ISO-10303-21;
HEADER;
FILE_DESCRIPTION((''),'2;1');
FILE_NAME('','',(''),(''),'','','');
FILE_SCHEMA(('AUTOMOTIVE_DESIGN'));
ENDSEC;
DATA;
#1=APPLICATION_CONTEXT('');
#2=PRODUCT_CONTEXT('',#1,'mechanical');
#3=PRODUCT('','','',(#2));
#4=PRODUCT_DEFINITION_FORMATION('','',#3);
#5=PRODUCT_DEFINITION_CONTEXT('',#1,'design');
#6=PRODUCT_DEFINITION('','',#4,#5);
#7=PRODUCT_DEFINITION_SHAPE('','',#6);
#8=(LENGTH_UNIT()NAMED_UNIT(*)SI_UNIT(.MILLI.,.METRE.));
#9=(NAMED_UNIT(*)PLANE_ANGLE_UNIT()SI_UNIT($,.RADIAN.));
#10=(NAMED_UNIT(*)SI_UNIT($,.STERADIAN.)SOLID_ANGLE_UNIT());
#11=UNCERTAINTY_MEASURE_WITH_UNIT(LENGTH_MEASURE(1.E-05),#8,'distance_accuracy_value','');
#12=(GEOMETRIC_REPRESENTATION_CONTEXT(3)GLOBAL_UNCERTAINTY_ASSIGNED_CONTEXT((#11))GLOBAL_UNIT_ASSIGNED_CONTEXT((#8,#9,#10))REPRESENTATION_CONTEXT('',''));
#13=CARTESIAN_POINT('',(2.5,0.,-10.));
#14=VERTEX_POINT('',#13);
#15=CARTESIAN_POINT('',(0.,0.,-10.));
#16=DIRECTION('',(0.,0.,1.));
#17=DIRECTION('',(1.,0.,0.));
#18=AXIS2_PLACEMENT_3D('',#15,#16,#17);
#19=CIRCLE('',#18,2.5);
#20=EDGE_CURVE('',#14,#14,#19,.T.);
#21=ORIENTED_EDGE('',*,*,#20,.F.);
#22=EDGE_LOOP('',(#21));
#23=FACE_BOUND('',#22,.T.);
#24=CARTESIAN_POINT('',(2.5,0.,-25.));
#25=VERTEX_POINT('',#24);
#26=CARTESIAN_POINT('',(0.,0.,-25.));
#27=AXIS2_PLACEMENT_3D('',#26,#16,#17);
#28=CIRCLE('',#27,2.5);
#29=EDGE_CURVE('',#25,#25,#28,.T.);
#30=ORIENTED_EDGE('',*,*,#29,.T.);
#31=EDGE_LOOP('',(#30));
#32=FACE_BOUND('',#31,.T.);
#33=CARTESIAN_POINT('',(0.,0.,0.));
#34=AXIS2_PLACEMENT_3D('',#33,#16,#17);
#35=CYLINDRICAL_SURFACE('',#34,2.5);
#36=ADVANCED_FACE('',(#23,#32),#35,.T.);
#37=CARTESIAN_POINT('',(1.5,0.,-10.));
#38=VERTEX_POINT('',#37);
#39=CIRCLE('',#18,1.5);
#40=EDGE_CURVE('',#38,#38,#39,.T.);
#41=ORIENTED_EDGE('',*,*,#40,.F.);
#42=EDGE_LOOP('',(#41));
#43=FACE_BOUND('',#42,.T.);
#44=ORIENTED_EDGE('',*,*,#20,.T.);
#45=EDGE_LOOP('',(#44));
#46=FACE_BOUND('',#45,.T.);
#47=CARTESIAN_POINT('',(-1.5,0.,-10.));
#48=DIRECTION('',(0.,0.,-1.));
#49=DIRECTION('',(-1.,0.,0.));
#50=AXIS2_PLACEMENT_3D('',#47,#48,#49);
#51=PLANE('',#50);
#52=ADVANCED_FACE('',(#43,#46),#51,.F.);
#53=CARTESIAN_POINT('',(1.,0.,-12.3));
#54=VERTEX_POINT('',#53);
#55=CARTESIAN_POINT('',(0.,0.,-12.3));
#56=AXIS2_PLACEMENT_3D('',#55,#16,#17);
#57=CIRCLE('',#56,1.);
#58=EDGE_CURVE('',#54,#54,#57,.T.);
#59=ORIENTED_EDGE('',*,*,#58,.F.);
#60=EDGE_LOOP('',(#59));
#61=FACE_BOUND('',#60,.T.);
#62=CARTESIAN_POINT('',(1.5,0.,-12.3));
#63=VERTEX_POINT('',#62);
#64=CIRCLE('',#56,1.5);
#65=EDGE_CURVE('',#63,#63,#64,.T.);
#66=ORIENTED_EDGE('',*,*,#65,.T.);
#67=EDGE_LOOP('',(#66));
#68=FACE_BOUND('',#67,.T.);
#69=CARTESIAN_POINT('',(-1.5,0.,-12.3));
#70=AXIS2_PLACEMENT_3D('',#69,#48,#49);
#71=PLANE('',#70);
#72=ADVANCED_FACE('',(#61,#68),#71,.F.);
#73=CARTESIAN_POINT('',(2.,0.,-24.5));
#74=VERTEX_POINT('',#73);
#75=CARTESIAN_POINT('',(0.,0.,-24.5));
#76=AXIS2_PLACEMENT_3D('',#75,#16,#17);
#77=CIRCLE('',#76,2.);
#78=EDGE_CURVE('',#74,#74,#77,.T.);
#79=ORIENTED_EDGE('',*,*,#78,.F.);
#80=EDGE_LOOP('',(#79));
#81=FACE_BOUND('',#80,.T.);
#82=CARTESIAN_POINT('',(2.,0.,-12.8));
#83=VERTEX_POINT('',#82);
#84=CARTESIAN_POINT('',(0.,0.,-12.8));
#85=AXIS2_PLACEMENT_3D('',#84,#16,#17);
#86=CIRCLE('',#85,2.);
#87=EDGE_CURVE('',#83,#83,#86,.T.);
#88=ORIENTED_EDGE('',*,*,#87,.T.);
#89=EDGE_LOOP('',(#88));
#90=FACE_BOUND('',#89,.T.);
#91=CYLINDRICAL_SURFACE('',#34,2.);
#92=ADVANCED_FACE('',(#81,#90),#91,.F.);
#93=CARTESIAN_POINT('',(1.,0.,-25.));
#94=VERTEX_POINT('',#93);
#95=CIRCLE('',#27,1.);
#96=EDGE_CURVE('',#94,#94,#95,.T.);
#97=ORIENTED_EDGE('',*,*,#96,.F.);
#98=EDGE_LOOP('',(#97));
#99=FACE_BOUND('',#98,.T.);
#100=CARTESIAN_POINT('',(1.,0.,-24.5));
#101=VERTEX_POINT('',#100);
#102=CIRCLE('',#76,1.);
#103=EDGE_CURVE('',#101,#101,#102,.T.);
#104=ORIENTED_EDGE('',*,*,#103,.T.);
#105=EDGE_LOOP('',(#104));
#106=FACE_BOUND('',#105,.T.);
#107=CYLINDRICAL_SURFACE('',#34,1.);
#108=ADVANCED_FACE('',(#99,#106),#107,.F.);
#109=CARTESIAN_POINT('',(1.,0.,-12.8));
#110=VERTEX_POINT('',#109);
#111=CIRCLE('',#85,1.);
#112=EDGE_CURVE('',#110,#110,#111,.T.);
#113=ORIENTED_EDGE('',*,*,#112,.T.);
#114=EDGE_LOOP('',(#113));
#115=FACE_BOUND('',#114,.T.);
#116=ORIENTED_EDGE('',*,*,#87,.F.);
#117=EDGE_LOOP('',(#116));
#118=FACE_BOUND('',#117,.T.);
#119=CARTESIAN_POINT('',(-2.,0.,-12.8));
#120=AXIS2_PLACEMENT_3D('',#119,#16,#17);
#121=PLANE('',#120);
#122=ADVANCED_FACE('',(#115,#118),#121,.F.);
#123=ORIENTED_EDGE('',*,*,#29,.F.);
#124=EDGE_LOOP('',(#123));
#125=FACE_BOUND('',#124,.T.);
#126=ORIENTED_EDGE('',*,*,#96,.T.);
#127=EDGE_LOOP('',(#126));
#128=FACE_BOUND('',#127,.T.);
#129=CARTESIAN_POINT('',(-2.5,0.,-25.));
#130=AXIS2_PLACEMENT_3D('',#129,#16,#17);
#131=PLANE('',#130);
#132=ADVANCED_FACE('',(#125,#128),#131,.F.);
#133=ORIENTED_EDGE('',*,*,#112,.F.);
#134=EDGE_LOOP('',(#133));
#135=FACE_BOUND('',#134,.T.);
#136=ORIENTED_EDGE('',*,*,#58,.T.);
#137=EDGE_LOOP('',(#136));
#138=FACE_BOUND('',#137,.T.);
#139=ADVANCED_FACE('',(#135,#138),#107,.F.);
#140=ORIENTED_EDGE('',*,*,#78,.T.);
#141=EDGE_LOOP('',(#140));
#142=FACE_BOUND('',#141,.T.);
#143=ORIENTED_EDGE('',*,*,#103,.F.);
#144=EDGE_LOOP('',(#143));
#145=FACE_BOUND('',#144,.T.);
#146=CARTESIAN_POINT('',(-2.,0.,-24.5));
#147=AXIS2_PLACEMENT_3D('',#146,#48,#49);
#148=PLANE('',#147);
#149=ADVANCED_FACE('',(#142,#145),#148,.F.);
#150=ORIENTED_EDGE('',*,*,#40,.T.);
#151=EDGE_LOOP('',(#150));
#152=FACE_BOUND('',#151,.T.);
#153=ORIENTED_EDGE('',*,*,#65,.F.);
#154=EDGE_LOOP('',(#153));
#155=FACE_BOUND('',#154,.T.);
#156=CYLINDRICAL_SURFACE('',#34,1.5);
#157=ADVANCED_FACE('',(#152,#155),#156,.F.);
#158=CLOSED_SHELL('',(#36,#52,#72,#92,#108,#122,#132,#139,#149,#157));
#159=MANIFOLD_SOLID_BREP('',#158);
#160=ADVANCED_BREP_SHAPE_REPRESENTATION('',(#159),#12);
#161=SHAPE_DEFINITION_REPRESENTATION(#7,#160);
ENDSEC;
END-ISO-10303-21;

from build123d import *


with BuildPart() as part:
    # Croquis2 → Revolución1 (revolve)
    with BuildSketch(Plane(origin=(0, 0, 0), x_dir=(1, 0, 0), z_dir=(0, 1, 0))):
        Polygon((-1.5, 10), (-2.5, 10), (-2.5, 25), (-1, 25), (-1, 24.5), (-2, 24.5), (-2, 12.8), (-1, 12.8), (-1, 12.3), (-1.5, 12.3), align=None)
    revolve(axis=Axis((0, 0, 0), (0, 0, -1)))


solid = part.part
